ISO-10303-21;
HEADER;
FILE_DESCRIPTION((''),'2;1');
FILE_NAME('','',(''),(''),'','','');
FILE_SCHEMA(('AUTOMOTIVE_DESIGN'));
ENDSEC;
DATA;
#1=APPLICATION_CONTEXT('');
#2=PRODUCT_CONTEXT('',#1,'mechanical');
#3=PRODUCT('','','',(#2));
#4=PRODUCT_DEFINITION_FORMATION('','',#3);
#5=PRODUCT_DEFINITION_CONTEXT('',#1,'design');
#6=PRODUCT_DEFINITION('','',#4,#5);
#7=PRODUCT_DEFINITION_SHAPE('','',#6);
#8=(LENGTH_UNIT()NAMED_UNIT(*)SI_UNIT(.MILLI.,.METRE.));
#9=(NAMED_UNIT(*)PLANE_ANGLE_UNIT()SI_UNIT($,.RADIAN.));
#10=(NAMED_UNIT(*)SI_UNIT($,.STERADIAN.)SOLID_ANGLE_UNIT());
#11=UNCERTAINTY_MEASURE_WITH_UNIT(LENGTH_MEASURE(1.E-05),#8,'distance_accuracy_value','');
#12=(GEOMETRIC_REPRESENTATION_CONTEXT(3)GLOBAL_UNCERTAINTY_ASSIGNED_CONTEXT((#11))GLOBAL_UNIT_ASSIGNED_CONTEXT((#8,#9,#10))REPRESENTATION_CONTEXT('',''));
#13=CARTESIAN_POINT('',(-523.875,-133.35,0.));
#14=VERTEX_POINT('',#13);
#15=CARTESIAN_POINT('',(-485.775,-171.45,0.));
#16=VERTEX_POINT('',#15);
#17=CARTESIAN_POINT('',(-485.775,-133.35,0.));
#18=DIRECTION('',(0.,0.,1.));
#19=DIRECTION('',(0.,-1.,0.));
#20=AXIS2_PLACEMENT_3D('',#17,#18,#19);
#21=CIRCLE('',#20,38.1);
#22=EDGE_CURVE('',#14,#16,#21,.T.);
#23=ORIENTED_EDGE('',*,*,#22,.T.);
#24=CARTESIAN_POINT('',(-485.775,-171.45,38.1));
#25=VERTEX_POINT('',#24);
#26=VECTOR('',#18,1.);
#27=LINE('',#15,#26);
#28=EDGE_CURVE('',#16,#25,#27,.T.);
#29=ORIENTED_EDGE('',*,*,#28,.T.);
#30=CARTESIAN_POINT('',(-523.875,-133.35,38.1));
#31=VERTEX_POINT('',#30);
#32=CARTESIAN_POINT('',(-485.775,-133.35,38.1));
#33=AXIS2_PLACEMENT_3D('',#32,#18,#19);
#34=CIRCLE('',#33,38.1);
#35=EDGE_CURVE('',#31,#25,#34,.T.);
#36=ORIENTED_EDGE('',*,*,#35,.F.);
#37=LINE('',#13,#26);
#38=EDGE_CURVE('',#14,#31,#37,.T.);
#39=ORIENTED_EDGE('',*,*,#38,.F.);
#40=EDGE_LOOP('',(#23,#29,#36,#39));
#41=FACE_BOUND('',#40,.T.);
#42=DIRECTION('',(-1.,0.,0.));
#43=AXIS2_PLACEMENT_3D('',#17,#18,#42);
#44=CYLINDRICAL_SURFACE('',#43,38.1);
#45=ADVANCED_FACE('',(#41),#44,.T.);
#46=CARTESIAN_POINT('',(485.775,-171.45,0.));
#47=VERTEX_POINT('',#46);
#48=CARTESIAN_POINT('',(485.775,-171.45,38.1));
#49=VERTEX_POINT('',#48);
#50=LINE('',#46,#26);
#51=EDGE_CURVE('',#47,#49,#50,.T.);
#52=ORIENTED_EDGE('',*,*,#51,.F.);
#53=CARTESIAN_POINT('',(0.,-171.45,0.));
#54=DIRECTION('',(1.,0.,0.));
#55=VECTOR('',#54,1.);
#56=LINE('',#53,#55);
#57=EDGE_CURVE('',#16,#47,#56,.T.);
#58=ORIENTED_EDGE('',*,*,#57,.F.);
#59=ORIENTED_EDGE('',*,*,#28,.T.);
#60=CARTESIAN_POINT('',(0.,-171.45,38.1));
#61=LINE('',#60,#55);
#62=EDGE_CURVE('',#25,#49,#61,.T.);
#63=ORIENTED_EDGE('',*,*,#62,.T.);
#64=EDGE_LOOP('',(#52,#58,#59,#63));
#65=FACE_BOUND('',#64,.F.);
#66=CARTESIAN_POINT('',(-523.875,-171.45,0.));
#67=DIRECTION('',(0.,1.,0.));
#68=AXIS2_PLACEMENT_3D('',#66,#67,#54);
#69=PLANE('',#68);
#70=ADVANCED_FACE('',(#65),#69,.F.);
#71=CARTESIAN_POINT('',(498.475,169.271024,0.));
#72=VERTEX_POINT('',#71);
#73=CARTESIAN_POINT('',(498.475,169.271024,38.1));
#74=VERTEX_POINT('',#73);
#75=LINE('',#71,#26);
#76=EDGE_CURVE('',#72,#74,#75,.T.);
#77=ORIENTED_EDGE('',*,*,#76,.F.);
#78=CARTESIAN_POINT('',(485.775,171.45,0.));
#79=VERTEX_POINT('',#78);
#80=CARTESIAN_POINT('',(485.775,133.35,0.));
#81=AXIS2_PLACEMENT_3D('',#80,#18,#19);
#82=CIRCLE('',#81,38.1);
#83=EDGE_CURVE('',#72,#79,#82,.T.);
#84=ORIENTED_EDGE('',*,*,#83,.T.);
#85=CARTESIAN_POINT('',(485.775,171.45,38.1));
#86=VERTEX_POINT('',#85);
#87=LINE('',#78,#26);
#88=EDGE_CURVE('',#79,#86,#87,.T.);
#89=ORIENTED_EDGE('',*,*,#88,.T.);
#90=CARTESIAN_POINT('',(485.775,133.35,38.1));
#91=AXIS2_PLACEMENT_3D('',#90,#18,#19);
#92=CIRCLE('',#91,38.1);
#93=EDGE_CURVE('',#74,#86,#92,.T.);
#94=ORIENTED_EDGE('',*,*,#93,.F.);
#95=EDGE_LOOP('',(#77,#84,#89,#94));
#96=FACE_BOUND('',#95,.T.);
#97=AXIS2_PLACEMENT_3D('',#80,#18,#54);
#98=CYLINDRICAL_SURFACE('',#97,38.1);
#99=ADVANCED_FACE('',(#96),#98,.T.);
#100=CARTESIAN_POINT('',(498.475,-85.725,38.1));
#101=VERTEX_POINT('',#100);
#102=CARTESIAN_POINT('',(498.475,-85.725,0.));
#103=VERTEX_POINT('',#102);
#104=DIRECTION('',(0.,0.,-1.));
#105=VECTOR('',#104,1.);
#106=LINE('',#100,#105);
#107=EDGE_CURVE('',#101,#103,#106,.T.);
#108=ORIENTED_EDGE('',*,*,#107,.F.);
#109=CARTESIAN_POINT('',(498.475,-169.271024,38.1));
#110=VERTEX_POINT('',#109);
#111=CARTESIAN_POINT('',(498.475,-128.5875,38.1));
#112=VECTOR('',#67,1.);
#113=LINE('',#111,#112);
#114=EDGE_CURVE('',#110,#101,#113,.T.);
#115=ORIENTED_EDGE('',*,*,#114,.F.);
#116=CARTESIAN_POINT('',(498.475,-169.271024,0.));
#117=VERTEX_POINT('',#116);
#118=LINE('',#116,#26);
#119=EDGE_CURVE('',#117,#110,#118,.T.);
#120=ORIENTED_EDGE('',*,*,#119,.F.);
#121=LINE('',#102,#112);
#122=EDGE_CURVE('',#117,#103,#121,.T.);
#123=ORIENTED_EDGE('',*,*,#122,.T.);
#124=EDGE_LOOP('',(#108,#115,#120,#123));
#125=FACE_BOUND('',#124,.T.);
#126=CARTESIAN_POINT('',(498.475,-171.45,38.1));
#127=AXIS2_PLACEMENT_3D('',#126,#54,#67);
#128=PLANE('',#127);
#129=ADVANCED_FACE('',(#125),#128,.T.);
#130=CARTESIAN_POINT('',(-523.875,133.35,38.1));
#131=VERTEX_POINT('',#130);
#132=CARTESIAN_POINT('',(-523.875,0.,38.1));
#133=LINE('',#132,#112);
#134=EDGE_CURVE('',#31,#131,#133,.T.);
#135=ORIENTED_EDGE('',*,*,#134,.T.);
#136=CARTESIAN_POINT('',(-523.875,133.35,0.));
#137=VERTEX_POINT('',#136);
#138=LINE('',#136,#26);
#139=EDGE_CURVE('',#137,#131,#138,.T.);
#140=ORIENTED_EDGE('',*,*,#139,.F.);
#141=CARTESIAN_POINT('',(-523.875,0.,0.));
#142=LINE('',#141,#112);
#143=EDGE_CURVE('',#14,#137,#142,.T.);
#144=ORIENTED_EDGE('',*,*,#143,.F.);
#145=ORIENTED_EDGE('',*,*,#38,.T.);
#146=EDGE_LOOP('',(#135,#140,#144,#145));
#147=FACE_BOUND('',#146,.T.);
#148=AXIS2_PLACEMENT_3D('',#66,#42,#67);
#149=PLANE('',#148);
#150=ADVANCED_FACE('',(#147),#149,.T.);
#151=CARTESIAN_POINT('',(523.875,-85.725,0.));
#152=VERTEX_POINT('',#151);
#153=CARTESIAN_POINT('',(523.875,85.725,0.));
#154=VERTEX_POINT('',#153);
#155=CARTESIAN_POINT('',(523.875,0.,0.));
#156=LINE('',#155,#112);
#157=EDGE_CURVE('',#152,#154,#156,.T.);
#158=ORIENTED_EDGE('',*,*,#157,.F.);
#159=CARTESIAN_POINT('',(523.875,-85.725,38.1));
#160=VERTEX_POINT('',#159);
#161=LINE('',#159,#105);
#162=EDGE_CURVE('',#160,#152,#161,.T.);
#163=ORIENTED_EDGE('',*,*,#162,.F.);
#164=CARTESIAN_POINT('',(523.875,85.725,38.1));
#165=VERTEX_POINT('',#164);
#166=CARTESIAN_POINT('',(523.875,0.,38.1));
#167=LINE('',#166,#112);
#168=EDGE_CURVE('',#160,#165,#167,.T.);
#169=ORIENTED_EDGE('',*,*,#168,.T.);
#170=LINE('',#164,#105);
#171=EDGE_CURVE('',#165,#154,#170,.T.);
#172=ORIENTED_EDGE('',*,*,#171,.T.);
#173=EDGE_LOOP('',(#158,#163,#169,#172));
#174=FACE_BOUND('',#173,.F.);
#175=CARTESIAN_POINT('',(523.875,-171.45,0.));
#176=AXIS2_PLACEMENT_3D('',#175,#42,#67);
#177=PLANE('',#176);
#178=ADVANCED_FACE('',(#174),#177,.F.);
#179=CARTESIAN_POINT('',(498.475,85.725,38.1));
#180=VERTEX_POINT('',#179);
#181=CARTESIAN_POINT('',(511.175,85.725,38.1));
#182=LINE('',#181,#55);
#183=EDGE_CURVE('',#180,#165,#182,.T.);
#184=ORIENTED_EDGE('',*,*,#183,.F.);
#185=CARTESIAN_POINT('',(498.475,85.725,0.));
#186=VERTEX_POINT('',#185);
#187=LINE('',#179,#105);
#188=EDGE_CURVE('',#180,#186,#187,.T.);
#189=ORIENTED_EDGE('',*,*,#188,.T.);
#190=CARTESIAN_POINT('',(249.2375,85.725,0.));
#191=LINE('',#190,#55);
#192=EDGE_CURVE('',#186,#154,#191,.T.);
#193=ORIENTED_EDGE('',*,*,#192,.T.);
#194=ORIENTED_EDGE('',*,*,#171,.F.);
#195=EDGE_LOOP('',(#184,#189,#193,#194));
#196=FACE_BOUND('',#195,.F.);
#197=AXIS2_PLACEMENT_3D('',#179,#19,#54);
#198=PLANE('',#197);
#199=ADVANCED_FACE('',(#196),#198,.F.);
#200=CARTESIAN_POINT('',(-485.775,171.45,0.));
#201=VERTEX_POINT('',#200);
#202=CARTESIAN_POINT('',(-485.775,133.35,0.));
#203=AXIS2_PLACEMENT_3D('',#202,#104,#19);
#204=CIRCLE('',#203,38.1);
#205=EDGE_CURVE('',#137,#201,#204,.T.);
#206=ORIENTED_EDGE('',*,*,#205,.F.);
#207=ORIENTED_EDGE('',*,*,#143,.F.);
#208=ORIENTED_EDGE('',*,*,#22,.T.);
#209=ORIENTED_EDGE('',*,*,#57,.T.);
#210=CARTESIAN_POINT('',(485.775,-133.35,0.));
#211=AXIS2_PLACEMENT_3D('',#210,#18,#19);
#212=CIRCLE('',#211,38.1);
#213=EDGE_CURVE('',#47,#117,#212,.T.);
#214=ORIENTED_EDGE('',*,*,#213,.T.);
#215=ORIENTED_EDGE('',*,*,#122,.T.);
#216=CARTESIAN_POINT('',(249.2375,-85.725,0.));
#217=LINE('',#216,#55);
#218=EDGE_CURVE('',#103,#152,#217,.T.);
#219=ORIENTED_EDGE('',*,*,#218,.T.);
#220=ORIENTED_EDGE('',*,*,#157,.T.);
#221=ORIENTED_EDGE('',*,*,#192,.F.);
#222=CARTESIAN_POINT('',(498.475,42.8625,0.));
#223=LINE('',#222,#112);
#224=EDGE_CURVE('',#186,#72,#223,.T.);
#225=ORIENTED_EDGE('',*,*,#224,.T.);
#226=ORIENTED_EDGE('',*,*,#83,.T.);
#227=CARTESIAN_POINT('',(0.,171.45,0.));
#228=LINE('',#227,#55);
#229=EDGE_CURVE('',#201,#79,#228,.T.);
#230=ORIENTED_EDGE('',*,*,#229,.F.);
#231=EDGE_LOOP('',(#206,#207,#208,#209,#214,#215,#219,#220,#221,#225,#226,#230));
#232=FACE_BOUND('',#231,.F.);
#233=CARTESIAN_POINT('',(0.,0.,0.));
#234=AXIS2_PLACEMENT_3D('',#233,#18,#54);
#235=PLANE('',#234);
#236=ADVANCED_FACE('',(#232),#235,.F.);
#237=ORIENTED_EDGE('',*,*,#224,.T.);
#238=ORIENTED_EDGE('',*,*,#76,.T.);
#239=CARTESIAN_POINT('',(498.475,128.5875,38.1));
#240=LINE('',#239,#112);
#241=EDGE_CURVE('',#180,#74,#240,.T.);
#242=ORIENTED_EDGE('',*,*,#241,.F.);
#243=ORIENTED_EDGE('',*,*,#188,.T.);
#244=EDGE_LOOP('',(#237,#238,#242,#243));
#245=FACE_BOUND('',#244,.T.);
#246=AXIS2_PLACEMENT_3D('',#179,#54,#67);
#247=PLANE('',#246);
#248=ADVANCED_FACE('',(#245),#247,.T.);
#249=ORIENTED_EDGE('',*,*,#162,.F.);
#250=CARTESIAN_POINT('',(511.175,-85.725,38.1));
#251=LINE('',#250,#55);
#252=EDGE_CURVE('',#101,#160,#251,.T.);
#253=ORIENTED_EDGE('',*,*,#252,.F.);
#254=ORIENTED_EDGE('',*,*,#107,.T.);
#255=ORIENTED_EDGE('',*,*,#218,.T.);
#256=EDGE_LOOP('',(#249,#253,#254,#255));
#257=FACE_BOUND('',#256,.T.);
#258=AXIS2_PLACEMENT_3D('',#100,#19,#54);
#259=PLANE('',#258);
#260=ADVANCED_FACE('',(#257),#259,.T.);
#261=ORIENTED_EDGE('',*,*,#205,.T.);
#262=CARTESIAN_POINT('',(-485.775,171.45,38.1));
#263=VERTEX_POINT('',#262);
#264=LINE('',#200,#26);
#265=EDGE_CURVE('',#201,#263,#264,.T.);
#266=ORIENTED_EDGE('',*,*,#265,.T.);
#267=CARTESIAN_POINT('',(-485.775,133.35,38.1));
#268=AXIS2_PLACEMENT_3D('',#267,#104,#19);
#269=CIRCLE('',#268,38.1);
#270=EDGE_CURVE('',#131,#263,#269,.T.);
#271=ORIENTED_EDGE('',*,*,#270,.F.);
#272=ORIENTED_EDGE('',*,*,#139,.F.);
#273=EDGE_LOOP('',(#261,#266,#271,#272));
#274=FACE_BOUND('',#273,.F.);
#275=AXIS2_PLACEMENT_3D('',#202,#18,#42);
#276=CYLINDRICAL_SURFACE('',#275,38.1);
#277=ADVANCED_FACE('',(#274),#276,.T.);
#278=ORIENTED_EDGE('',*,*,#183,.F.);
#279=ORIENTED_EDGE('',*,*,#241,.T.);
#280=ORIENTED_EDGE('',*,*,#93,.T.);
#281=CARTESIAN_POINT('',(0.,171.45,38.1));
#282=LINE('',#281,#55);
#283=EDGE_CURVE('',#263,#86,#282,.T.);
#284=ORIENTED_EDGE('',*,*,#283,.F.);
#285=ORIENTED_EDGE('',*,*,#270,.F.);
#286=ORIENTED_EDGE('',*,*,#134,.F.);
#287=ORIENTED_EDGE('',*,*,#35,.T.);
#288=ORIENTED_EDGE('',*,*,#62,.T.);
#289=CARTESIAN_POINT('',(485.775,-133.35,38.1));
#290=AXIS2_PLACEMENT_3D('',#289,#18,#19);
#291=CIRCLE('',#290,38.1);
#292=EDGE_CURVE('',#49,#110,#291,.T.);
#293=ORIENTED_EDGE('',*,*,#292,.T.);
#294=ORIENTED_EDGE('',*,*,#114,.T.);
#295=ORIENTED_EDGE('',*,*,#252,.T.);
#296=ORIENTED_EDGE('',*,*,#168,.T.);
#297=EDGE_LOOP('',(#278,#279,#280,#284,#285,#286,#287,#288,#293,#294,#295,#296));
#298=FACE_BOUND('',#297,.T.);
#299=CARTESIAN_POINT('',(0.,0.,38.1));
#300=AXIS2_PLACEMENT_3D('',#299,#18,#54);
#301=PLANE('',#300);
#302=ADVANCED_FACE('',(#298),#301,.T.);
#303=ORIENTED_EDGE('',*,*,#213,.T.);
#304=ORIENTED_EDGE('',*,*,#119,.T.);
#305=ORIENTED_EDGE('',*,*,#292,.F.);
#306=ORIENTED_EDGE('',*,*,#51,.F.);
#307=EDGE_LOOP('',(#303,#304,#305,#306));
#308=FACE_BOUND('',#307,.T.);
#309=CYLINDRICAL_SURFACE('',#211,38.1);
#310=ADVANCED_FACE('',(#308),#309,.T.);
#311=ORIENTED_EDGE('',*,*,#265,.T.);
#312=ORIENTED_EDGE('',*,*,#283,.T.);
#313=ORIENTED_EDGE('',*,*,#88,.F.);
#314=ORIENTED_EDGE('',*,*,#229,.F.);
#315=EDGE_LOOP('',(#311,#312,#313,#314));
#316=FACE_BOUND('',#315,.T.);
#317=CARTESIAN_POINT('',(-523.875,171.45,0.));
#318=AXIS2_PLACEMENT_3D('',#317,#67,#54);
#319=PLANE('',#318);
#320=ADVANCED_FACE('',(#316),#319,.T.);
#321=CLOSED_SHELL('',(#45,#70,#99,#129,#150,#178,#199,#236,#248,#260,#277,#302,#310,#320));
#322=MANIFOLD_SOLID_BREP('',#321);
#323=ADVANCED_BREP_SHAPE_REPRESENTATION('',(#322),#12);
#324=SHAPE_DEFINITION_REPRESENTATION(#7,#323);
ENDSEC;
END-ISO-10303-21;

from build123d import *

# Parameters (mm, degrees)
F0_W     = 1047.75
F0_H     = 342.9
F1_DEPTH = 38.1
F2_R     = 38.1
F3_W     = 25.4
F3_H     = 85.725
F4_DEPTH = 50.8


with BuildPart() as f1:
    # F0 (on Top) → F1 (new body)
    with BuildSketch(Plane.XY):
        Rectangle(F0_W, F0_H)
    extrude(amount=F1_DEPTH)

    # F2
    f2_edges = [f1.edges().sort_by_distance(p)[0] for p in [
        (-523.875, 171.45, 19.05),
        (-523.875, -171.45, 19.05),
        (523.875, 171.45, 19.05),
        (523.875, -171.45, 19.05),
    ]]
    fillet(f2_edges, radius=F2_R)

    # F3 (on face) → F4 (cut)
    with BuildSketch(Plane.XY.offset(38.1)):
        with Locations((511.175, 128.5875)):
            Rectangle(F3_W, F3_H)
        with Locations((511.175, -128.5875)):
            Rectangle(F3_W, F3_H)
    extrude(amount=-F4_DEPTH, mode=Mode.SUBTRACT)


solid = f1.part
